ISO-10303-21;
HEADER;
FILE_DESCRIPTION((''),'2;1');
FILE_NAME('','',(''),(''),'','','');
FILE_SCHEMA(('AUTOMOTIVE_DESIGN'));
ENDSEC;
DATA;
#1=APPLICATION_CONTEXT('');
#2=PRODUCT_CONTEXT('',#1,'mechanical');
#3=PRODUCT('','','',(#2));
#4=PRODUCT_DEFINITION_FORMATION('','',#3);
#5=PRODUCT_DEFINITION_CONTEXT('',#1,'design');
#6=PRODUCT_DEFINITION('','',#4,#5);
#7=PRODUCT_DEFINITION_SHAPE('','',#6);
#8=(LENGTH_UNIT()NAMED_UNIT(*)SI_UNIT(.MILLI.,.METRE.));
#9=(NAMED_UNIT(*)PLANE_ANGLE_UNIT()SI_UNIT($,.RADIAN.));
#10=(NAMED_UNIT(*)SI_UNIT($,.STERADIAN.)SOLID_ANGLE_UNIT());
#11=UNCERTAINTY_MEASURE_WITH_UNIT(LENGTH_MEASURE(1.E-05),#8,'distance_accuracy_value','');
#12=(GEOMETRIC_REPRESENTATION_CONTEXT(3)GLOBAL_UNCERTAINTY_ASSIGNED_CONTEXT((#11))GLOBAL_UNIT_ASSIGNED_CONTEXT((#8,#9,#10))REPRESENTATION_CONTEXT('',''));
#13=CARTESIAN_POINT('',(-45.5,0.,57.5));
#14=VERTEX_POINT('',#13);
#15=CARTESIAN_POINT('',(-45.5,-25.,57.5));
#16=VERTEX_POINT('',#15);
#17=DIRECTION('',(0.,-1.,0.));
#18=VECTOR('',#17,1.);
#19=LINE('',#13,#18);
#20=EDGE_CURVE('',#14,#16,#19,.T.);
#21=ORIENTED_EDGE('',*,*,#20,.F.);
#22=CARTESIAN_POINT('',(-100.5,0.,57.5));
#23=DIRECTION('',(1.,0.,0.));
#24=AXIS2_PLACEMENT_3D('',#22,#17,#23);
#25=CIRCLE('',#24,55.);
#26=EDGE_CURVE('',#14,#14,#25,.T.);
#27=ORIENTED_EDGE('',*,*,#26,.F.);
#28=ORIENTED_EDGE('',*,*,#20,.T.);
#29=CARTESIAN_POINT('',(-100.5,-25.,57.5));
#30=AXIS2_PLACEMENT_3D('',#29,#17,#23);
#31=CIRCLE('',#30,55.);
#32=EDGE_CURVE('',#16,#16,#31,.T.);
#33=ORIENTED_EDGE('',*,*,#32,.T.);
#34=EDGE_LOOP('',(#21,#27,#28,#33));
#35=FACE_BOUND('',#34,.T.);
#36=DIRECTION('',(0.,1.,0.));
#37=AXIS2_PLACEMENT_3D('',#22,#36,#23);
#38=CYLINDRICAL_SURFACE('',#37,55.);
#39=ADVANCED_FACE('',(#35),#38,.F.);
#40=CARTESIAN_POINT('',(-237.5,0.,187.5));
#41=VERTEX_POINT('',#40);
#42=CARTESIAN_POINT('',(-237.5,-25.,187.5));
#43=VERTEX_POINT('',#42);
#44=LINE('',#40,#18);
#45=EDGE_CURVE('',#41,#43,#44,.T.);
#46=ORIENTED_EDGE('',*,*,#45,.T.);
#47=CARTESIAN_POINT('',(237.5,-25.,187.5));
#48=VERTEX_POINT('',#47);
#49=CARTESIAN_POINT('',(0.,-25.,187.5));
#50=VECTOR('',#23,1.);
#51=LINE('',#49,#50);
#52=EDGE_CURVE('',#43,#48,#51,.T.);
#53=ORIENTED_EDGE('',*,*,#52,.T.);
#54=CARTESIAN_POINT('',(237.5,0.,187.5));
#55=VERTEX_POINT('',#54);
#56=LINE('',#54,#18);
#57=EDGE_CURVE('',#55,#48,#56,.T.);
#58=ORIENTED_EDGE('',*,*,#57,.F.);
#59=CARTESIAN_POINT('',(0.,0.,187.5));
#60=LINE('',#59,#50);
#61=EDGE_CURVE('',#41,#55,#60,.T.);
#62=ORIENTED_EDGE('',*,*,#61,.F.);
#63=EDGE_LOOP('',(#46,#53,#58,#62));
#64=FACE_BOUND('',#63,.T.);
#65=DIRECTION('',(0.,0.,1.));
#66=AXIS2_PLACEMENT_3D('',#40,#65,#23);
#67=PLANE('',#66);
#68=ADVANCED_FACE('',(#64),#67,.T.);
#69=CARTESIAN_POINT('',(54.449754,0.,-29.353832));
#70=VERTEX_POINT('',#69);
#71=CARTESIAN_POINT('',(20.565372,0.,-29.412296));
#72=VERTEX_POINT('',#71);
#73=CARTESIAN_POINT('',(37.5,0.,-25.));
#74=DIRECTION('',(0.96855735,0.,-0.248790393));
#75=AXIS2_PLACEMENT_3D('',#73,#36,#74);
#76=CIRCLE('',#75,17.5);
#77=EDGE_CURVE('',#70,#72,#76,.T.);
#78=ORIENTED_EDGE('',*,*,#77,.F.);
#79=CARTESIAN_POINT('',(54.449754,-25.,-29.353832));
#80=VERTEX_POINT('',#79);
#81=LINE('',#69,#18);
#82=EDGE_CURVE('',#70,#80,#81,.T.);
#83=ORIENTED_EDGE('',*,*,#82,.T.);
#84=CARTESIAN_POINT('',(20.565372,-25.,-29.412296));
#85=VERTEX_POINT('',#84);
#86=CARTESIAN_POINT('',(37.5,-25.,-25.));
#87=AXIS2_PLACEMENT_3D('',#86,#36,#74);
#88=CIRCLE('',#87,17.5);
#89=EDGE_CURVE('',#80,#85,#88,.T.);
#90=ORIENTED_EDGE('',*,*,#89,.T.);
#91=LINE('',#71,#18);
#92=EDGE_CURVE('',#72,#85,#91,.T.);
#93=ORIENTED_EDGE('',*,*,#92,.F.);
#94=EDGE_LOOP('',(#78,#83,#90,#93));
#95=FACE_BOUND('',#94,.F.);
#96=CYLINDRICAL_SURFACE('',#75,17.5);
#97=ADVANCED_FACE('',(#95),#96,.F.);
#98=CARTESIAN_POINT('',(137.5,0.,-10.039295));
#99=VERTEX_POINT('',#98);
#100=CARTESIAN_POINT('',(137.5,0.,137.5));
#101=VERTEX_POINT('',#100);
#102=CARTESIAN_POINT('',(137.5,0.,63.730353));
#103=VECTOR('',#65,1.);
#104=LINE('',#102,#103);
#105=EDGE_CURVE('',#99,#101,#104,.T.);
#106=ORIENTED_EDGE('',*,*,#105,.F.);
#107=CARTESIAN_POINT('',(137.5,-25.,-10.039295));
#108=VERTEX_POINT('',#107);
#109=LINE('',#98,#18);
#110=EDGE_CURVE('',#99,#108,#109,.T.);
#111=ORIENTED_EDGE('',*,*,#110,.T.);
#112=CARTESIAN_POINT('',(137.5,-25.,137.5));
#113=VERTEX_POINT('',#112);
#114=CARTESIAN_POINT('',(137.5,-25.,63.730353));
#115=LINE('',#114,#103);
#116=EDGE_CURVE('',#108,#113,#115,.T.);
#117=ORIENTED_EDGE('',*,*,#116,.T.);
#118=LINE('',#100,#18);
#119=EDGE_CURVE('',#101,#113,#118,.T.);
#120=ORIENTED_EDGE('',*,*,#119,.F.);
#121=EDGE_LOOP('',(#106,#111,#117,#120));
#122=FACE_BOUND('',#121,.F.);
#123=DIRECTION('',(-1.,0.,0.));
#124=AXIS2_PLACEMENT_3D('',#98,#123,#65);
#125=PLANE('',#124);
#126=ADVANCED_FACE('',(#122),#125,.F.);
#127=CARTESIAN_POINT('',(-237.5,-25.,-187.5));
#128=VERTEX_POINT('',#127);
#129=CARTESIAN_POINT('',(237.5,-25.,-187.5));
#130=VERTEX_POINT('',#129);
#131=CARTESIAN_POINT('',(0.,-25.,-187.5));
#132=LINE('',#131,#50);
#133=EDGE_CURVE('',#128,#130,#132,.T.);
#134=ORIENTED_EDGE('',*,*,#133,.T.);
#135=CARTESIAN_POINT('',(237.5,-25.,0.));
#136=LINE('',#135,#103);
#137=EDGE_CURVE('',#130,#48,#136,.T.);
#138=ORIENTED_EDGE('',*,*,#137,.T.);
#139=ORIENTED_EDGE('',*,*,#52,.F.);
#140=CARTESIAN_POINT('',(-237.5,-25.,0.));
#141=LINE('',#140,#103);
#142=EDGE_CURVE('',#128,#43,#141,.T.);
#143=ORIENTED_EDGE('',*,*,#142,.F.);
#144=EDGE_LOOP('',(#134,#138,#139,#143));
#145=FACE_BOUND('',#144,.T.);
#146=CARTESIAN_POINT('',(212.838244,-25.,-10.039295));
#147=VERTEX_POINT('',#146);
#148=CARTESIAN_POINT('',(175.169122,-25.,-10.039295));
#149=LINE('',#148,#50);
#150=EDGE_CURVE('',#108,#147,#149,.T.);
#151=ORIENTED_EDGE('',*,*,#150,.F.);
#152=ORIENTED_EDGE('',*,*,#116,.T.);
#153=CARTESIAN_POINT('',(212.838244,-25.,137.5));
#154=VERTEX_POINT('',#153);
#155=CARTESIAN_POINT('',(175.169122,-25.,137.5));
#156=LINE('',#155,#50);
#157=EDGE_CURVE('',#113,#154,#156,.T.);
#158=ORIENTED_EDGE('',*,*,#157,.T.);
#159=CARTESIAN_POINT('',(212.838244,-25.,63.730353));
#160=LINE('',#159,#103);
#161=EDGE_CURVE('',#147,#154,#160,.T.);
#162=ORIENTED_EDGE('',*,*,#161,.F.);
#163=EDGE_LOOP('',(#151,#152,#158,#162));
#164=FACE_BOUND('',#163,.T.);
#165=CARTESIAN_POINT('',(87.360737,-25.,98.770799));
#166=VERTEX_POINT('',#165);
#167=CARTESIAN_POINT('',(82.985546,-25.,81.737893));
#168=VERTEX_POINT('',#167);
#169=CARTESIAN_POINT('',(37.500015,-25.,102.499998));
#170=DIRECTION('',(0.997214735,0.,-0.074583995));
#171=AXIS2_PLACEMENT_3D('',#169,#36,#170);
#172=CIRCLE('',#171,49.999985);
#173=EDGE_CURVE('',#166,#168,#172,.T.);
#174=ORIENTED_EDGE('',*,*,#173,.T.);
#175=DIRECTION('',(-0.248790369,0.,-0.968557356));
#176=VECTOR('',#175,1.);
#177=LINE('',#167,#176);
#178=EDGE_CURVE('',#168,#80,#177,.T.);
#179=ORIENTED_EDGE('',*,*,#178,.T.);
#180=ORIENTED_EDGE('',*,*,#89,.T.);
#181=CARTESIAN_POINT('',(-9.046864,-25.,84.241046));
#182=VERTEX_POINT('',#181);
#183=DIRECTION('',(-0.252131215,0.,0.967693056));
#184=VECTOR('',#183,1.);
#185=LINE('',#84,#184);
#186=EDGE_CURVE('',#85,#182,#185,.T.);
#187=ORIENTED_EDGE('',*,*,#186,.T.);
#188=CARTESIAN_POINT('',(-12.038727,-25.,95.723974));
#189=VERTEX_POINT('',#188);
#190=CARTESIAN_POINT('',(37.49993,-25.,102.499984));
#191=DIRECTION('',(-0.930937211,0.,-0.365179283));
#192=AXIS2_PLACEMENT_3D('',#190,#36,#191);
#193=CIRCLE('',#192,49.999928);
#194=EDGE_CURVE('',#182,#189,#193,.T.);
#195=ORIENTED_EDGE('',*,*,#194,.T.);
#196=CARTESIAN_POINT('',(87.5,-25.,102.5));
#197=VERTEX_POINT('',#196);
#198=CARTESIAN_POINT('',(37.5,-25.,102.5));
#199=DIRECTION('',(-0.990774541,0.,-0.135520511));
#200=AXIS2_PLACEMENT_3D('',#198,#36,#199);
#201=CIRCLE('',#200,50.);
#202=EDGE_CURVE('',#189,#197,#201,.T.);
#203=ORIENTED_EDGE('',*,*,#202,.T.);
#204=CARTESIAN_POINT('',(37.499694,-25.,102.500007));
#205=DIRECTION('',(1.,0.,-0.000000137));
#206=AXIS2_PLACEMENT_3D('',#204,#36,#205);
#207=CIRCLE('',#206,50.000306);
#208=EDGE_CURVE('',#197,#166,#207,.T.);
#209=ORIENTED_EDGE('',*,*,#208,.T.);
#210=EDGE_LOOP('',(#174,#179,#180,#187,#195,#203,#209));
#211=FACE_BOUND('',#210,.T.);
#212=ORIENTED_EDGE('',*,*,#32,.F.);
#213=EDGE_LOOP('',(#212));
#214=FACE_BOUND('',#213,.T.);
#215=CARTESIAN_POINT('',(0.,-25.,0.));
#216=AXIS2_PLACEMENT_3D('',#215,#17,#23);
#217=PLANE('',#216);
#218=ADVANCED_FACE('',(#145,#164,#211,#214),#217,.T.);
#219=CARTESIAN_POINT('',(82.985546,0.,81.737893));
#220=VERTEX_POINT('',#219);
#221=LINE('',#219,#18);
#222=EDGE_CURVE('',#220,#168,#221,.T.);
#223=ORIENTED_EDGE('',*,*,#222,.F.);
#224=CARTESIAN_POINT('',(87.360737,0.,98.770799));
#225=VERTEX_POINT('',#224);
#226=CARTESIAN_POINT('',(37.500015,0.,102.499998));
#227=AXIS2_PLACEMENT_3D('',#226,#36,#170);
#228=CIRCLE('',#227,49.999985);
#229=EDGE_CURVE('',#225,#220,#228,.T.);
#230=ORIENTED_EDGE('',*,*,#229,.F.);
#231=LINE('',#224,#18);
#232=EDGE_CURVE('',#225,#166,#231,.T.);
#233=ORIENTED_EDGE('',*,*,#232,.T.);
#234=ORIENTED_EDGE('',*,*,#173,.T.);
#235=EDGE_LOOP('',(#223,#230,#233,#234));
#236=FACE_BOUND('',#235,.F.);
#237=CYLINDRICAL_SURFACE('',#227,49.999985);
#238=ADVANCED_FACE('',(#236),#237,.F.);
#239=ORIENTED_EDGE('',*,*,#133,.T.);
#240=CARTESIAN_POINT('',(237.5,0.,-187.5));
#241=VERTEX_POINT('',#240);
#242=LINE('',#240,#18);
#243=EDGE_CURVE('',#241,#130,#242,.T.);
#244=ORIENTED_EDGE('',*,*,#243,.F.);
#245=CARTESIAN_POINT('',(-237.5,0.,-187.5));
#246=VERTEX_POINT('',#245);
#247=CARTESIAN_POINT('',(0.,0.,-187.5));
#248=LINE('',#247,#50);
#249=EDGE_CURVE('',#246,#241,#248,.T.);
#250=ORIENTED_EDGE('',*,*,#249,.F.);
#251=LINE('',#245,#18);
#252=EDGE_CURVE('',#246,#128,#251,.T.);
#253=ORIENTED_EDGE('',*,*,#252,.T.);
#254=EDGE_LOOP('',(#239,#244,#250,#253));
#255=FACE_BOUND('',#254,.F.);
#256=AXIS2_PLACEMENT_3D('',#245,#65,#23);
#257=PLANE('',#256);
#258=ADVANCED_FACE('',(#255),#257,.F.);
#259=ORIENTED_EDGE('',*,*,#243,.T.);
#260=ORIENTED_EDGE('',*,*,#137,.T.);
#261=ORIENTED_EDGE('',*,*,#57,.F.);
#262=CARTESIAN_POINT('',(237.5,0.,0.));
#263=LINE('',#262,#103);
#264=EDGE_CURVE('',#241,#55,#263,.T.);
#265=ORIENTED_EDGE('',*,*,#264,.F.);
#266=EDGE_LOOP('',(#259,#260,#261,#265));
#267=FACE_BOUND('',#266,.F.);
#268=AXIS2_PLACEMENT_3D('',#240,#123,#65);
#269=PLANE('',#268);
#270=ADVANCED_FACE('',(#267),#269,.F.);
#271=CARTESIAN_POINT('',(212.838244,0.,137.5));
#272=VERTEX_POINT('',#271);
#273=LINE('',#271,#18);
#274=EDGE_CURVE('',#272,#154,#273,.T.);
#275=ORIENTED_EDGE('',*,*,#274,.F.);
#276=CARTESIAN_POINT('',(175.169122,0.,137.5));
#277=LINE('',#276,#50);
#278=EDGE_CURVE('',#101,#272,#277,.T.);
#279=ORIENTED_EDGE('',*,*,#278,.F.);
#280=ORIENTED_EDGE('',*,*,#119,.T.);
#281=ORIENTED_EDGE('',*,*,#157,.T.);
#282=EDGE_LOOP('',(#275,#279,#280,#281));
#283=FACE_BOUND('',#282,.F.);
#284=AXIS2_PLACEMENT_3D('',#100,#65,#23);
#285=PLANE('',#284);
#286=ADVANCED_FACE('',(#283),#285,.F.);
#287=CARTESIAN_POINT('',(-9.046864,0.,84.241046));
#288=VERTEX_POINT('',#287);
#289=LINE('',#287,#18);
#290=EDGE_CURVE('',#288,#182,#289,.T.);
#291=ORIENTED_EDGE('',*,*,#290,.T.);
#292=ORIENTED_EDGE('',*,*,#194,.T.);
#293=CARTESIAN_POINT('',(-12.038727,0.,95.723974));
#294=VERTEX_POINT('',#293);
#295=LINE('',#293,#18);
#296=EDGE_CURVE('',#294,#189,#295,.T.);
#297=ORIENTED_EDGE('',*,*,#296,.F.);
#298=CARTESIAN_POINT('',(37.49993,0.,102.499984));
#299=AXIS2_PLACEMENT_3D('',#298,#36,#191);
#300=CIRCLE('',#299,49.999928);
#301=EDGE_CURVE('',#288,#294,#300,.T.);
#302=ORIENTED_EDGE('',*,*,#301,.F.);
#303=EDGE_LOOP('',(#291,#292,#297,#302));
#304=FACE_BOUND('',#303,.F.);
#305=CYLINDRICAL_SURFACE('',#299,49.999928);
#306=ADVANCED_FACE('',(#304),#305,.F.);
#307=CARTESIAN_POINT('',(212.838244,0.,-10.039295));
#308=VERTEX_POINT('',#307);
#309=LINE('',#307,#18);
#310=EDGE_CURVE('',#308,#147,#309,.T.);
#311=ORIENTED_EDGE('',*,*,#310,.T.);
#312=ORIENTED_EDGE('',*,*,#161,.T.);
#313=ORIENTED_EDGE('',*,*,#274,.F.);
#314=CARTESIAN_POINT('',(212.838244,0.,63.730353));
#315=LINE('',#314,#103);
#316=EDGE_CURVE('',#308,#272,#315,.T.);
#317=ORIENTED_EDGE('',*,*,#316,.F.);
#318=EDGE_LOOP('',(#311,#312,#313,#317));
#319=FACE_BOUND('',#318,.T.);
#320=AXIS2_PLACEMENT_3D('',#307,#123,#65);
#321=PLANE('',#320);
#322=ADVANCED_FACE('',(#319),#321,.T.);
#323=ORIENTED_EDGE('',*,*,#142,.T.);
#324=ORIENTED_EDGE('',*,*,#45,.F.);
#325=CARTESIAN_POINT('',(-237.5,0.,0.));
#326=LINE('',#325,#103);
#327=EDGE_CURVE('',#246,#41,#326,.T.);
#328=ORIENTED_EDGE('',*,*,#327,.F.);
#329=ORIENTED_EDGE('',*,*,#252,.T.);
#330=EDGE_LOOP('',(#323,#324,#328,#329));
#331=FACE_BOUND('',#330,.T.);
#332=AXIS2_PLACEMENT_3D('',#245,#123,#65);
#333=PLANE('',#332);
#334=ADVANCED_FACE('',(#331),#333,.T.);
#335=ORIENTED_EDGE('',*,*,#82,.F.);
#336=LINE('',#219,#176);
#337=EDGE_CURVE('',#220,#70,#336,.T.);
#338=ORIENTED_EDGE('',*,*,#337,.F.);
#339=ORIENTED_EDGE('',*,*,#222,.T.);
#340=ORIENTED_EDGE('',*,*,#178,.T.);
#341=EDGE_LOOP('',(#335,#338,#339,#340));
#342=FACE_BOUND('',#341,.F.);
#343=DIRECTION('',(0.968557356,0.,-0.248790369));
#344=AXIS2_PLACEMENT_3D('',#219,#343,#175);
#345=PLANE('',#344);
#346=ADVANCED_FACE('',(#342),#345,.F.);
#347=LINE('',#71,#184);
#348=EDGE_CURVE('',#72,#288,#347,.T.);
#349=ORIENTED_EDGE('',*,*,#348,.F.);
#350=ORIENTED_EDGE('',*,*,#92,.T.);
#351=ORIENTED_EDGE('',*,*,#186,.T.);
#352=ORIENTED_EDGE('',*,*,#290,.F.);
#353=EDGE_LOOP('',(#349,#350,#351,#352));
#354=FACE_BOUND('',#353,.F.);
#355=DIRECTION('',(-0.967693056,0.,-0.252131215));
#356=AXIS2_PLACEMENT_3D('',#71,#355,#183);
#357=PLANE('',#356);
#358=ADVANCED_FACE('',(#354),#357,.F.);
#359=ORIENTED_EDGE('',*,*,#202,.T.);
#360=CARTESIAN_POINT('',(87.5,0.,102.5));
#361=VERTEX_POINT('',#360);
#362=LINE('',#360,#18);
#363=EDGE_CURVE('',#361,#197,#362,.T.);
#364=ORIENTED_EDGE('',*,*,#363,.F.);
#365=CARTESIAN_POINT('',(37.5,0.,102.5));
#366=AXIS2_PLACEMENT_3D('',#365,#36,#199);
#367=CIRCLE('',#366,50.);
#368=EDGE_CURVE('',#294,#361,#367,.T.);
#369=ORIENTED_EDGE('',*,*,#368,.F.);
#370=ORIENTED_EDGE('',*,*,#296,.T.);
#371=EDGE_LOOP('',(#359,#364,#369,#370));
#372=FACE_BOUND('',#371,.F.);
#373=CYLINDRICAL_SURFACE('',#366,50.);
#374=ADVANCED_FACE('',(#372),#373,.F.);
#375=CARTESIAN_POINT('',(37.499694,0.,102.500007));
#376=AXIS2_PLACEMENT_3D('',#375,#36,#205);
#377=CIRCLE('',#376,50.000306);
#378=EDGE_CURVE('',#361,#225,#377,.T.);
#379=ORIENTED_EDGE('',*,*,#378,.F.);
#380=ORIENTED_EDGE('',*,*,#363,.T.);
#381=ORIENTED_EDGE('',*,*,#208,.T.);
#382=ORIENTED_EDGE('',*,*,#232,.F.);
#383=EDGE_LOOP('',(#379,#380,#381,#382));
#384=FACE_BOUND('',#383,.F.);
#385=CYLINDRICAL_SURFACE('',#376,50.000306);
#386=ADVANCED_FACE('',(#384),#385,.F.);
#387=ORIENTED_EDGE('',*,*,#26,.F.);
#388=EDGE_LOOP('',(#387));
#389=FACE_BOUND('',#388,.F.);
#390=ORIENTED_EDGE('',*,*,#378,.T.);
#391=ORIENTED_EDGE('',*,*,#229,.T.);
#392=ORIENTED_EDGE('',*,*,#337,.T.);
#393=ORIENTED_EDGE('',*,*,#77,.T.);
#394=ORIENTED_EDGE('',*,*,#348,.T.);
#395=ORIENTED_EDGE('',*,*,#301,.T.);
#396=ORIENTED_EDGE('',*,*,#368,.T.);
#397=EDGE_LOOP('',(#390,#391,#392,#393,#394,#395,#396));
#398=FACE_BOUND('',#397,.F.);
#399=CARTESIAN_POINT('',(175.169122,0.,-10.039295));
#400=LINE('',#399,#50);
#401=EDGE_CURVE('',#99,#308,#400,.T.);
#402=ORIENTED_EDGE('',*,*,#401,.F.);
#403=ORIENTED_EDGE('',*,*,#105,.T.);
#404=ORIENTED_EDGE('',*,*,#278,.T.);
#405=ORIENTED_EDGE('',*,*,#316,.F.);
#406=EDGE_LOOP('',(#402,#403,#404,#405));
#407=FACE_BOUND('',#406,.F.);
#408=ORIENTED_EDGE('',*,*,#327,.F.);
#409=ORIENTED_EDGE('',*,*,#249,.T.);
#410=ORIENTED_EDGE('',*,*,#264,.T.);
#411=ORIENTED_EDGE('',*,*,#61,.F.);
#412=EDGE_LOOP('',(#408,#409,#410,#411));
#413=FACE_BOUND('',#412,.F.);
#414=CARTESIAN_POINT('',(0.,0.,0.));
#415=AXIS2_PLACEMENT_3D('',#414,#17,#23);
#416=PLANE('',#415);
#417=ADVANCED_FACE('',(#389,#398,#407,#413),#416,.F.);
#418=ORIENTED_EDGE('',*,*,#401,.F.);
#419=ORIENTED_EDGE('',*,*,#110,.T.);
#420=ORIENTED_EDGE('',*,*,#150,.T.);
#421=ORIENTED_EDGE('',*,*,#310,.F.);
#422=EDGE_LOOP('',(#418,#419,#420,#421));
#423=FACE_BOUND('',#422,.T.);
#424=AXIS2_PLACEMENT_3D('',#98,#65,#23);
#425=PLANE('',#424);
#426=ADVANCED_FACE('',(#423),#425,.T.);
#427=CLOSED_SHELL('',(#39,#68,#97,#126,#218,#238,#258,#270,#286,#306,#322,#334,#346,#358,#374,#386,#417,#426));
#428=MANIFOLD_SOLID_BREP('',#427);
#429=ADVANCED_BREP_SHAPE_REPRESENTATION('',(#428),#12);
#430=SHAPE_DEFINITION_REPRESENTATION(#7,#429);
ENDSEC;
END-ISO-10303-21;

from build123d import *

# Parameters (mm, degrees)
F0_W     = 475
F0_H     = 375
F0_R     = 55
F0_W_2   = 75.338244
F0_H_2   = 147.539295
F1_DEPTH = 25


with BuildPart() as f1:
    # F0 (on Front) → F1 (new body)
    with BuildSketch(Plane.XZ):
        Rectangle(F0_W, F0_H)
        with Locations((-100.5, 57.5)):
            Circle(F0_R, mode=Mode.SUBTRACT)
        with BuildLine():
            ThreePointArc((-12.038727, 95.723974), (34.104146, 152.384548), (87.5, 102.5))
            ThreePointArc((87.5, 102.5), (87.465172, 100.6341), (87.360737, 98.770799))
            ThreePointArc((87.360737, 98.770799), (85.927868, 90.060481), (82.985546, 81.737893))
            Line((82.985546, 81.737893), (54.449754, -29.353832))
            ThreePointArc((54.449754, -29.353832), (37.530195, -42.499974), (20.565372, -29.412296))
            Line((20.565372, -29.412296), (-9.046864, 84.241046))
            ThreePointArc((-9.046864, 84.241046), (-10.884653, 89.893439), (-12.038727, 95.723974))
        make_face(mode=Mode.SUBTRACT)
        with Locations((175.169122, 63.730353)):
            Rectangle(F0_W_2, F0_H_2, mode=Mode.SUBTRACT)
    extrude(amount=F1_DEPTH)


solid = f1.part
